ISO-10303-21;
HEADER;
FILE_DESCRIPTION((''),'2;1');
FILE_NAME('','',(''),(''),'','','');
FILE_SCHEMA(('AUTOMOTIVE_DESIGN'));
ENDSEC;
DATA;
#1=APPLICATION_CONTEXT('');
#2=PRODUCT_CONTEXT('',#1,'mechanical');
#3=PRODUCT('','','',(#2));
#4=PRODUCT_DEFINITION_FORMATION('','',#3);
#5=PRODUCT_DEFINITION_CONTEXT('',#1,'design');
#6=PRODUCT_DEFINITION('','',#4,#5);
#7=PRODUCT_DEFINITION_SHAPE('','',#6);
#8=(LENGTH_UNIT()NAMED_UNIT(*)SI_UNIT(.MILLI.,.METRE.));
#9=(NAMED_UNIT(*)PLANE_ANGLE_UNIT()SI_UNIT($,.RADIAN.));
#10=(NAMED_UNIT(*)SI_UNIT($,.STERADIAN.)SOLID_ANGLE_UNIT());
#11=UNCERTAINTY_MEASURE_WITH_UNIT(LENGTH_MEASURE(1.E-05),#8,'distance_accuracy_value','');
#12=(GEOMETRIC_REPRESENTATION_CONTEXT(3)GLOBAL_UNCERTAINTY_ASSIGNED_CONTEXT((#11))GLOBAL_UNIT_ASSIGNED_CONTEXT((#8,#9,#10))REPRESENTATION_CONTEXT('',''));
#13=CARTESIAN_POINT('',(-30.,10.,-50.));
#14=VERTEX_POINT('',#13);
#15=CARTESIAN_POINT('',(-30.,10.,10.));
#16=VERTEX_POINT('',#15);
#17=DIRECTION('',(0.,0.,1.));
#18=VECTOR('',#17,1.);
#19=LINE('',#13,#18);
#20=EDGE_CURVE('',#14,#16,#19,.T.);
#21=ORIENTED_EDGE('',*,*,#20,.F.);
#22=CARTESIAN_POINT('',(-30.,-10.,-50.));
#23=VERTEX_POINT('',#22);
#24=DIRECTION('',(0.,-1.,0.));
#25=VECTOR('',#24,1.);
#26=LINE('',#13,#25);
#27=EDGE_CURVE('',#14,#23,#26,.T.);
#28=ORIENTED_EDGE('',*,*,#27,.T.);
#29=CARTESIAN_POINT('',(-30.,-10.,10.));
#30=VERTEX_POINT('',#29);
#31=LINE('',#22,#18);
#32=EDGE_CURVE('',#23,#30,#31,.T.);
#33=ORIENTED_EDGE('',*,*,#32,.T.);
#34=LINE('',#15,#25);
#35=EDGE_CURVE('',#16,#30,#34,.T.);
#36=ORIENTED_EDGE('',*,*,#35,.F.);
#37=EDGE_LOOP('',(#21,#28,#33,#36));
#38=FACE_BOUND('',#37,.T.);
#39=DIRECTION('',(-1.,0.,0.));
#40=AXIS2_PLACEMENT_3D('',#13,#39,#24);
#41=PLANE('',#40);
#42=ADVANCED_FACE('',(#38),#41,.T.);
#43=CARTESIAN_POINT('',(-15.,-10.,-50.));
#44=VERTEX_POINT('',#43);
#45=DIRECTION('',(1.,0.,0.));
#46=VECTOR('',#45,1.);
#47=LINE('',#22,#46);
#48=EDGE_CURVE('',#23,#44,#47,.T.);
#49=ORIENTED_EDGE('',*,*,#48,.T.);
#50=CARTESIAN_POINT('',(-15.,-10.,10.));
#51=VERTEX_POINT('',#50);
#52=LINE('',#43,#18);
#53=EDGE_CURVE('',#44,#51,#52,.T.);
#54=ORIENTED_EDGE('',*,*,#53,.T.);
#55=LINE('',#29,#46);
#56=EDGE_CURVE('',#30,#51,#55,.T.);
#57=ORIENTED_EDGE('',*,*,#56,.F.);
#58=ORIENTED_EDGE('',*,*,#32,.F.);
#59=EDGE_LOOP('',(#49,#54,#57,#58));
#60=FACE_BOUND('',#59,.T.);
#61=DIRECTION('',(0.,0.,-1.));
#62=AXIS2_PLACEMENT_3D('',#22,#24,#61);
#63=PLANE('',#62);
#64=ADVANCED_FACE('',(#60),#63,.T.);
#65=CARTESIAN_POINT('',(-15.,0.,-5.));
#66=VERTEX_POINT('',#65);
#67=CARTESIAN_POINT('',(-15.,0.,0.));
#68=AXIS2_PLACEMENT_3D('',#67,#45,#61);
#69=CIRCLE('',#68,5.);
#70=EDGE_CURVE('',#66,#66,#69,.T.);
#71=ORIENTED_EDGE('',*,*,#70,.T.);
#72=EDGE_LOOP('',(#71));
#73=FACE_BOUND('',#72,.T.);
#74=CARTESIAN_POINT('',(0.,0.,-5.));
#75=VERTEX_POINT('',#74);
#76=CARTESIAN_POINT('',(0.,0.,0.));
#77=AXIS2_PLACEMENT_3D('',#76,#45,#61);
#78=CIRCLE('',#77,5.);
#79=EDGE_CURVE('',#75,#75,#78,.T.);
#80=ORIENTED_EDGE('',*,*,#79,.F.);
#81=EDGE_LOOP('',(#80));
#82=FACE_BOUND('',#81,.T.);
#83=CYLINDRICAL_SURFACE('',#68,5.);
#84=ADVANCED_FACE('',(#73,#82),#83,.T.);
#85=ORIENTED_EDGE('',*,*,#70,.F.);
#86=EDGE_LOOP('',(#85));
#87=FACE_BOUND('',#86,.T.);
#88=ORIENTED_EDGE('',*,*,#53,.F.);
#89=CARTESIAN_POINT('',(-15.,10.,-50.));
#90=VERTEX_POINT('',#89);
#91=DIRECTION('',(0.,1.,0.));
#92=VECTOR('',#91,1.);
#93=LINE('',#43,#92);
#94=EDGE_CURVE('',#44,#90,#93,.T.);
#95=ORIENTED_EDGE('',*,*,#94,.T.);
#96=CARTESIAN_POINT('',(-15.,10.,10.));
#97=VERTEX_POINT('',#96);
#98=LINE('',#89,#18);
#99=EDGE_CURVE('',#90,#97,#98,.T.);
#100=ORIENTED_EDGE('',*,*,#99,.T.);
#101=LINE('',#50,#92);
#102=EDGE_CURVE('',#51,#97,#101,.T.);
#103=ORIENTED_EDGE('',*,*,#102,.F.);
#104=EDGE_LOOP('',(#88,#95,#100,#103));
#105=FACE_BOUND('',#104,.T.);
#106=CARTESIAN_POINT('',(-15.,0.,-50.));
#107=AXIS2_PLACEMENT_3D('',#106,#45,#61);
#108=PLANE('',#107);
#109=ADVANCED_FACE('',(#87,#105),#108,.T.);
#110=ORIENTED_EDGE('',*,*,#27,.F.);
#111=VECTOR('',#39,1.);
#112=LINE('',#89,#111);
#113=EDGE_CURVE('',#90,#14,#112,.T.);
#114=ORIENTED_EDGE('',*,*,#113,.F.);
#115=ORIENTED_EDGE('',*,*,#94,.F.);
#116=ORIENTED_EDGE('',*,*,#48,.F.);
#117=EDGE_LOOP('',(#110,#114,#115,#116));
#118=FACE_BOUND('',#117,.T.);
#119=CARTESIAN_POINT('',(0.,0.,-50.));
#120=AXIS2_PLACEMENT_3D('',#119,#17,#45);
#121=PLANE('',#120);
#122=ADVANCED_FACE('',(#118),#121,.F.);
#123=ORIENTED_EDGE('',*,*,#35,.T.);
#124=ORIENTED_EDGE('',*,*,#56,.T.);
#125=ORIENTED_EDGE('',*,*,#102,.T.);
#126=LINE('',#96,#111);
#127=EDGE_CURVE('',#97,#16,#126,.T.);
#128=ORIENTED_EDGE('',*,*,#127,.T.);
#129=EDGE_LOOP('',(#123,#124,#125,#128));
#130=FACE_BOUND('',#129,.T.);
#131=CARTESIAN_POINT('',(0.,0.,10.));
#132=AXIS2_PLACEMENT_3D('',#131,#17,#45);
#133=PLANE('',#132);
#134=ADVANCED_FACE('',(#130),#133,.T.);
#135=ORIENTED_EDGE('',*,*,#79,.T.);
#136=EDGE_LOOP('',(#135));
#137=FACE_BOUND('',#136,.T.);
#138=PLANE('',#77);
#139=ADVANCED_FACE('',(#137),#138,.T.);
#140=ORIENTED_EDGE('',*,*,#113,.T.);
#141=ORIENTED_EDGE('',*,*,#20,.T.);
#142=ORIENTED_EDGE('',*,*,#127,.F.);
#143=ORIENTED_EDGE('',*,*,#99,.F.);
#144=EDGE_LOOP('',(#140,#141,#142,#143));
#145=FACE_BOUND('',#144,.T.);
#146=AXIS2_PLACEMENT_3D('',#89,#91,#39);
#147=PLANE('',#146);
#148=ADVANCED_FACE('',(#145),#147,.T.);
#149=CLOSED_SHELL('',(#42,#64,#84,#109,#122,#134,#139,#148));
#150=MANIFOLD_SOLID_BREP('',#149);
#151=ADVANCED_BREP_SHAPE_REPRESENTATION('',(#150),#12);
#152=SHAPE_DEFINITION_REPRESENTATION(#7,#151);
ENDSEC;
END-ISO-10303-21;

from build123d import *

# Parameters (mm, degrees)
SKETCH2_R                = 5
BOSS_EXTRUDE1_DEPTH      = 15
BOSS_EXTRUDE2_DEPTH      = 10
BOSS_EXTRUDE2_DEPTH_BACK = 50


with BuildPart() as part:
    # Sketch2 → Boss-Extrude1 (new body)
    with BuildSketch(Plane(origin=(0, 0, 0), x_dir=(0, 0, -1), z_dir=(1, 0, 0))):
        Circle(SKETCH2_R)
    extrude(amount=-BOSS_EXTRUDE1_DEPTH)

    # Sketch3 → Boss-Extrude2 (add, two sides)
    with BuildSketch(Plane.XY) as boss_extrude2_sk:
        Polygon((-15, 0), (-15, 10), (-30, 10), (-30, -10), (-15, -10), align=None)
    extrude(amount=BOSS_EXTRUDE2_DEPTH)
    extrude(boss_extrude2_sk.sketch, amount=-BOSS_EXTRUDE2_DEPTH_BACK)


solid = part.part
